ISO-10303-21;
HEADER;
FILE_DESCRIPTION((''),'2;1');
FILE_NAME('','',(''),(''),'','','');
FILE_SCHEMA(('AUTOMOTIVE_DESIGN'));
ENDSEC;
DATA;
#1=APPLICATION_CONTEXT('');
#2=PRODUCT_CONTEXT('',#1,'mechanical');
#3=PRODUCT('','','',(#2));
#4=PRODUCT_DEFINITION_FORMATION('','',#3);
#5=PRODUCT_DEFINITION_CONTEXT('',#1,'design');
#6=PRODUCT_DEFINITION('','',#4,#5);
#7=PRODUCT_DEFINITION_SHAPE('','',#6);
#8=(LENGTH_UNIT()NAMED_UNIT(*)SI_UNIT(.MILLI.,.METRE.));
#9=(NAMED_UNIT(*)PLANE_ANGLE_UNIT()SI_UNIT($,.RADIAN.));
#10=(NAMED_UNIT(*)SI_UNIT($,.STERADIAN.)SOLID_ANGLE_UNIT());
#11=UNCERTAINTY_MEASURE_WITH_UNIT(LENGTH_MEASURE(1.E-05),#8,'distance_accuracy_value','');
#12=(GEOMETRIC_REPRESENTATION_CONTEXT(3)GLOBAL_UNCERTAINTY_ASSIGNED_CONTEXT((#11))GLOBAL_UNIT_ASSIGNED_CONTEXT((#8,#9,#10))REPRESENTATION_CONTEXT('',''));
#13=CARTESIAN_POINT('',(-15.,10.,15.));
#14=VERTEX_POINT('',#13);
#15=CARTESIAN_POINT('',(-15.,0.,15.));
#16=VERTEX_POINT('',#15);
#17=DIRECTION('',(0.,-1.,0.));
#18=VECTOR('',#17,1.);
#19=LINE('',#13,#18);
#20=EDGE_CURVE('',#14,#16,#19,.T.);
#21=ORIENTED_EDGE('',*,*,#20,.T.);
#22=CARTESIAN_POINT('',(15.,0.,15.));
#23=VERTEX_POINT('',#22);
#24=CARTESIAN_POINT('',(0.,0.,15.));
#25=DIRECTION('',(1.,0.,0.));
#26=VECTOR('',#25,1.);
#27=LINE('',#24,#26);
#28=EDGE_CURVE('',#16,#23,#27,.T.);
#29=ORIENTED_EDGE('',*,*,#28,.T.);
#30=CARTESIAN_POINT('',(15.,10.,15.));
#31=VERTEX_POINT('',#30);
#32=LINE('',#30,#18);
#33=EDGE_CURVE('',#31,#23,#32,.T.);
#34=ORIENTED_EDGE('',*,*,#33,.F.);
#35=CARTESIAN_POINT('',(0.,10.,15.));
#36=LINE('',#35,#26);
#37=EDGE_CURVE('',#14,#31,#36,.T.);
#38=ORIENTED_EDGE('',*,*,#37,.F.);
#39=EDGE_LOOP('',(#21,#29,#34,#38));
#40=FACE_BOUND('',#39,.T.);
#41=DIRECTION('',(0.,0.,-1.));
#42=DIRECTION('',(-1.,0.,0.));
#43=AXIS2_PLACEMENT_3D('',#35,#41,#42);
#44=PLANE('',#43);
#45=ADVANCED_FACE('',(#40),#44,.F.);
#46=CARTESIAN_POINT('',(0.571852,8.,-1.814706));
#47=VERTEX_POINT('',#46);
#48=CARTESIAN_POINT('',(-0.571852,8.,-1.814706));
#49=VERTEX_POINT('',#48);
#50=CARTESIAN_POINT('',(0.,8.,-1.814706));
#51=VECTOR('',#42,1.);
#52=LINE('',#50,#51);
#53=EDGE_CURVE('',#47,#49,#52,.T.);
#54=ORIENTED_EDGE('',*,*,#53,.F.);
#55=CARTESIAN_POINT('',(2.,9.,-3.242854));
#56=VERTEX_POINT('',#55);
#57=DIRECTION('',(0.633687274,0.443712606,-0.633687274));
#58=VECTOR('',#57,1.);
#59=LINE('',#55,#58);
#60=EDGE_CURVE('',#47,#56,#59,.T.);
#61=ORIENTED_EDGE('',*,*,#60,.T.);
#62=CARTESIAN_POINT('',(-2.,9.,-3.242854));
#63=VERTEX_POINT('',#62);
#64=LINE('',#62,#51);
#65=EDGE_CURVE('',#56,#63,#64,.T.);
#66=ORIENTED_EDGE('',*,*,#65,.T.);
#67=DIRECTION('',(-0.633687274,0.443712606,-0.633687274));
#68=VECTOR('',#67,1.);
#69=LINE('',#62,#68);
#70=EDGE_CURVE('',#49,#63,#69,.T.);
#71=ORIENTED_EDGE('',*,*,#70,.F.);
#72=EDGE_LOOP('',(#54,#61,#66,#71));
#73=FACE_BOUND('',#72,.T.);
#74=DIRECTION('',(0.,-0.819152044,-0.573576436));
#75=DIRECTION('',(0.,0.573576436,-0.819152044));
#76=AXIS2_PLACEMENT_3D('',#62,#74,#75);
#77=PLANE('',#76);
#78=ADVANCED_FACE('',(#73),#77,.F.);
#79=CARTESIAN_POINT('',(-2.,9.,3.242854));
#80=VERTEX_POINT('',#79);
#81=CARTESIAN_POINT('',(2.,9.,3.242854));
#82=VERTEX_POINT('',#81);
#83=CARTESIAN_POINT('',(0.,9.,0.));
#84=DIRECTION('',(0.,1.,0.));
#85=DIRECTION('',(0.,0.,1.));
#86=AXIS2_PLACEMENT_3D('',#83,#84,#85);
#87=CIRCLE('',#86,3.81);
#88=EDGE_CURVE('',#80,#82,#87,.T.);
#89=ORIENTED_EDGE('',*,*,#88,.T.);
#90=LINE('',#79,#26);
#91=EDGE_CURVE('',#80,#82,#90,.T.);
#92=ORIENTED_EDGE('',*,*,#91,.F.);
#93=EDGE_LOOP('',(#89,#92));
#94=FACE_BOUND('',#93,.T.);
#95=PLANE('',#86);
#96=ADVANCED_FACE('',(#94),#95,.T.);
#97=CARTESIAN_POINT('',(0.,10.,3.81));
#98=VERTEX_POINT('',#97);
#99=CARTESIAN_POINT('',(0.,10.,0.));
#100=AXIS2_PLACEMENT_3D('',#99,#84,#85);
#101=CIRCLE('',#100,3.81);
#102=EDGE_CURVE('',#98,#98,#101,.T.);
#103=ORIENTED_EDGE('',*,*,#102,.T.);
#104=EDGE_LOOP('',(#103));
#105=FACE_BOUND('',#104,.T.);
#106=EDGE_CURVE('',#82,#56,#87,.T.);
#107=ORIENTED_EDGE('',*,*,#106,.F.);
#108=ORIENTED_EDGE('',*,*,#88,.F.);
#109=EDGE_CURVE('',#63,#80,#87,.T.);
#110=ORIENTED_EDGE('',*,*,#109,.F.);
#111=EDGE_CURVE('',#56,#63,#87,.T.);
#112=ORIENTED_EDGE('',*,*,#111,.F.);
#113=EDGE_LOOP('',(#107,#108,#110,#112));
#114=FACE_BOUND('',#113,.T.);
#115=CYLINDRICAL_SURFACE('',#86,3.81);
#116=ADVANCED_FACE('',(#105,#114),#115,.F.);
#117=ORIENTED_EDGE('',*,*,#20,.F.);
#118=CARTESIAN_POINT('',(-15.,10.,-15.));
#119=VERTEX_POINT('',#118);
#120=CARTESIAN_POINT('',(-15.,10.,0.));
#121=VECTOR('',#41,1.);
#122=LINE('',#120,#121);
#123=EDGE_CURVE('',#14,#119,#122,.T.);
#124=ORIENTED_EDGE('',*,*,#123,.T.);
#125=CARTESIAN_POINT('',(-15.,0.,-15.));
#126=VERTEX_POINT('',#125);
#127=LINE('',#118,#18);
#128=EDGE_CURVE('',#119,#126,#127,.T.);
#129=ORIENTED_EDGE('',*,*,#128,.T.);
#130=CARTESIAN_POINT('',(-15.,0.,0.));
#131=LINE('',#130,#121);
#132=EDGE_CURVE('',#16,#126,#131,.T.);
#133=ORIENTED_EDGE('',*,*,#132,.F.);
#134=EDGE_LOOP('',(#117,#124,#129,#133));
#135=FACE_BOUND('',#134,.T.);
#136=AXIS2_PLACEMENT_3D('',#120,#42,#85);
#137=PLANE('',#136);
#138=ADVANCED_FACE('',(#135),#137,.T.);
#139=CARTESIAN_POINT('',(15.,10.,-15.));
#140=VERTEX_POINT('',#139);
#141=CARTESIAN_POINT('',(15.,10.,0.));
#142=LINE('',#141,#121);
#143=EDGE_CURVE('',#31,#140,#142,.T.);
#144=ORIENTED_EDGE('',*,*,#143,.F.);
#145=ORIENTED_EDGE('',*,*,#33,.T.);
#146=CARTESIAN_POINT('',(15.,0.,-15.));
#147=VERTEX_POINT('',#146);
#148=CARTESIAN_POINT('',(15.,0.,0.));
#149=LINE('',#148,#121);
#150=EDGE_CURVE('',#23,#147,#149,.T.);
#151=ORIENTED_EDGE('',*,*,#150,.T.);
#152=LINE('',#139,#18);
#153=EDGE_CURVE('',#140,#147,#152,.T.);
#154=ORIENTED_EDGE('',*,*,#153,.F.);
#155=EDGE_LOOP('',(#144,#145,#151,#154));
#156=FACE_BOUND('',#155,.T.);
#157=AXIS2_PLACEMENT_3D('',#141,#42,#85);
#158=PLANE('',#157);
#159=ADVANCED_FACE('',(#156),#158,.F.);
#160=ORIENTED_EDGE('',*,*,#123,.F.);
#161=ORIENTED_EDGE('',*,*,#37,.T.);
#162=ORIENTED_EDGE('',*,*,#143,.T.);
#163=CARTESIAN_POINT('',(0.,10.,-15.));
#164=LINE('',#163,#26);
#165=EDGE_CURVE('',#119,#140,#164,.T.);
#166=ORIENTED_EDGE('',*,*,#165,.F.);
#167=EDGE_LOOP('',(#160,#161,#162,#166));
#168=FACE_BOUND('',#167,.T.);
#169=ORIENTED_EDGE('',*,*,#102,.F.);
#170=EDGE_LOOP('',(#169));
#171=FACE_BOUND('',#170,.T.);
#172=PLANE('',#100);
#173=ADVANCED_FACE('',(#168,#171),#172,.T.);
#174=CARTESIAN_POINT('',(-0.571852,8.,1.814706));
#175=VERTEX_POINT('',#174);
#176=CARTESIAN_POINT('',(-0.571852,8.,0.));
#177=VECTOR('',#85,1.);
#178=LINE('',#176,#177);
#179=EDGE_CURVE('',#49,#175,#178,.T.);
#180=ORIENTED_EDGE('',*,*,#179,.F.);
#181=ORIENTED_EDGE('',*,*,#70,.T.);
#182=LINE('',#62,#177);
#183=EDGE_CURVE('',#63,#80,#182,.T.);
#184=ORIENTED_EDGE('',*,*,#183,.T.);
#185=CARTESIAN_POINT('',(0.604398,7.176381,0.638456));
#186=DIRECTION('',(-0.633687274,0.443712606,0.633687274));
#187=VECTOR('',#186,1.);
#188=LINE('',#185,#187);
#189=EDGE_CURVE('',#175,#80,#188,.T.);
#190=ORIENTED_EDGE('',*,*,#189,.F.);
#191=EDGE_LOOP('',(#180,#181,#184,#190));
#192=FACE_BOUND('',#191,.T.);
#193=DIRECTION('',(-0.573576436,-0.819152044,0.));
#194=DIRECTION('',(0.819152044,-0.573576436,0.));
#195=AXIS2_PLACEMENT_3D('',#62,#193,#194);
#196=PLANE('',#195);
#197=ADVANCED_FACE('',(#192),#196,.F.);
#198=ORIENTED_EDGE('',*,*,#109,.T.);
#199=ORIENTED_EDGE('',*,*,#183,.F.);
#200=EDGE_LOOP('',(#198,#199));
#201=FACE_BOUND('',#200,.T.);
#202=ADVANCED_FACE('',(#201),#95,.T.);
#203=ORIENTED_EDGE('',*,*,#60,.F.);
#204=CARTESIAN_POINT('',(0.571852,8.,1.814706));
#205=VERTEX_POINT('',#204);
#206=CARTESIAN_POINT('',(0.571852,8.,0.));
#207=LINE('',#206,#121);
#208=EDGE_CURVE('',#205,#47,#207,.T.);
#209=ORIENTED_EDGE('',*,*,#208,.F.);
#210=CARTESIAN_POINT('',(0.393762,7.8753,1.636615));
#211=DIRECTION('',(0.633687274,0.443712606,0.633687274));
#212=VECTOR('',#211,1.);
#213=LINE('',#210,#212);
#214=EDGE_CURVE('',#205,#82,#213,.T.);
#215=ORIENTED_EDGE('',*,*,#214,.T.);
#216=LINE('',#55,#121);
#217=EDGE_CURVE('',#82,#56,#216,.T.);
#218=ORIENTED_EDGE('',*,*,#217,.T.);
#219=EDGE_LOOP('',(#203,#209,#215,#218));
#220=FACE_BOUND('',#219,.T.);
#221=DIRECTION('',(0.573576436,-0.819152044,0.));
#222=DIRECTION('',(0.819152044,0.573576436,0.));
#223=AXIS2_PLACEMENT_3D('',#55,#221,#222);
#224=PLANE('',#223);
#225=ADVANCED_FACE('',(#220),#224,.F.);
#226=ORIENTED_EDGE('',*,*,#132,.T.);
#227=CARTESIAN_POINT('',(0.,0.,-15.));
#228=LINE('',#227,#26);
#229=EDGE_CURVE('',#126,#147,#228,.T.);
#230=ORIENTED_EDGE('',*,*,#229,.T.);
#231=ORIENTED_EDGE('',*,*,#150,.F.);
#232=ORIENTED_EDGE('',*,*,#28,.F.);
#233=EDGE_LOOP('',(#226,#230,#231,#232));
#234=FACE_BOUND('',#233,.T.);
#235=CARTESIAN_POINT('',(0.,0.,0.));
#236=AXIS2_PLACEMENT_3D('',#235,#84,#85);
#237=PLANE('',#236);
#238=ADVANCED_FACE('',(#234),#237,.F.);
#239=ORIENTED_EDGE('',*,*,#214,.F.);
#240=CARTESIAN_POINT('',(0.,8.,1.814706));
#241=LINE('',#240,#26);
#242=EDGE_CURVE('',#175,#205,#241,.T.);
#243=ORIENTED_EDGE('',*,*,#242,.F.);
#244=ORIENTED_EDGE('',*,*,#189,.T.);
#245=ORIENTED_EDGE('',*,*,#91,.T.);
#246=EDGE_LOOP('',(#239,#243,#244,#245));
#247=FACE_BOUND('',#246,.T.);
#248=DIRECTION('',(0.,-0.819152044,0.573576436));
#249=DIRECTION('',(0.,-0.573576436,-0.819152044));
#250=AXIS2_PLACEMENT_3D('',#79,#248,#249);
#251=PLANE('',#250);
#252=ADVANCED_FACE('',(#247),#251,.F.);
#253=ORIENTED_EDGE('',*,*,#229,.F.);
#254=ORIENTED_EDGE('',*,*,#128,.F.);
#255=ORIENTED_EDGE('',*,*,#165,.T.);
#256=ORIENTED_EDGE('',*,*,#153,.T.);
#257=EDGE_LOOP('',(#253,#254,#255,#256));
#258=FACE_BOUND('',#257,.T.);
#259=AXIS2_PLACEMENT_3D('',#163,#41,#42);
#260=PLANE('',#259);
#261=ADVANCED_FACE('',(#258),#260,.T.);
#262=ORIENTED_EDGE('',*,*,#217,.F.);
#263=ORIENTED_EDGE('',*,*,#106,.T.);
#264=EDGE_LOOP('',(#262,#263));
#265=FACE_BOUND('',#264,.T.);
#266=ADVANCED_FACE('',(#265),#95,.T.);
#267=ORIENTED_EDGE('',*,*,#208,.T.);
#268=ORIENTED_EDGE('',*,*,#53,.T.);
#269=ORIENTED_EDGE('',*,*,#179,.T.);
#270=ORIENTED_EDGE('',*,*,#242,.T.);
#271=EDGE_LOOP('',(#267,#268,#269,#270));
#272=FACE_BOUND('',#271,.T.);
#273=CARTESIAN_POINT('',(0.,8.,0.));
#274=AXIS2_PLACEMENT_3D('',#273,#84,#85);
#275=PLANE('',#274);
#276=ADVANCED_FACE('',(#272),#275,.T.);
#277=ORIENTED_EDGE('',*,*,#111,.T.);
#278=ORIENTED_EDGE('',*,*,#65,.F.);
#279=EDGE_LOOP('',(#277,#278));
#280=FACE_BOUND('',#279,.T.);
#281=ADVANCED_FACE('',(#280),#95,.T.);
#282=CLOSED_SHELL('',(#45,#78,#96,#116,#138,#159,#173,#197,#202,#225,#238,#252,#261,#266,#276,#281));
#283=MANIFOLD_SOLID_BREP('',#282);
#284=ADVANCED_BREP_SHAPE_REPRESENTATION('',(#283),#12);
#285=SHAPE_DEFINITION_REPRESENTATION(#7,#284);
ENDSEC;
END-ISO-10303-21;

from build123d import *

# Parameters (mm, degrees)
SKETCH1_W           = 30
SKETCH1_H           = 30
BOSS_EXTRUDE1_DEPTH = 10
SKETCH2_R           = 3.81
BORE_DEPTH          = 1
SKETCH3_W           = 4
SKETCH3_H           = 6.485707364
GROOVE_DEPTH        = 1
GROOVE_DRAFT        = -55


with BuildPart() as part:
    # Sketch1 → Boss-Extrude1 (new body)
    with BuildSketch(Plane(origin=(0, 0, 0), x_dir=(1, 0, 0), z_dir=(0, 1, 0))):
        Rectangle(SKETCH1_W, SKETCH1_H)
    extrude(amount=BOSS_EXTRUDE1_DEPTH)

    # Sketch2 → bore (cut)
    with BuildSketch(Plane(origin=(0, 10, 0), x_dir=(1, 0, 0), z_dir=(0, 1, 0))):
        with Locations(Location((0, 0, 0), (0, 0, 270))):
            Circle(SKETCH2_R)
    extrude(amount=-BORE_DEPTH, mode=Mode.SUBTRACT)


with BuildPart() as groove_tool:
    # Sketch3 → groove (with draft: the straight prism first)
    with BuildSketch(Plane(origin=(0, 9, 0), x_dir=(1, 0, 0), z_dir=(0, 1, 0))):
        Rectangle(SKETCH3_W, SKETCH3_H)
    extrude(amount=-GROOVE_DEPTH)
    # groove: the draft: its side faces are tilted about the plane it starts from
    groove_sides = [groove_tool.faces().sort_by_distance(p)[0] for p in [
        (-2, 8.5, 0),
        (0, 8.5, 3.242853682),
        (2, 8.5, 0),
        (0, 8.5, -3.242853682),
    ]]
    draft(groove_sides, Plane(origin=(0, 9, 0), x_dir=(1, 0, 0), z_dir=(0, 1, 0)), GROOVE_DRAFT)


with BuildPart() as part_1:
    add(part.part)

    # groove: cut by groove_tool
    add(groove_tool.part, mode=Mode.SUBTRACT)


solid = part_1.part
